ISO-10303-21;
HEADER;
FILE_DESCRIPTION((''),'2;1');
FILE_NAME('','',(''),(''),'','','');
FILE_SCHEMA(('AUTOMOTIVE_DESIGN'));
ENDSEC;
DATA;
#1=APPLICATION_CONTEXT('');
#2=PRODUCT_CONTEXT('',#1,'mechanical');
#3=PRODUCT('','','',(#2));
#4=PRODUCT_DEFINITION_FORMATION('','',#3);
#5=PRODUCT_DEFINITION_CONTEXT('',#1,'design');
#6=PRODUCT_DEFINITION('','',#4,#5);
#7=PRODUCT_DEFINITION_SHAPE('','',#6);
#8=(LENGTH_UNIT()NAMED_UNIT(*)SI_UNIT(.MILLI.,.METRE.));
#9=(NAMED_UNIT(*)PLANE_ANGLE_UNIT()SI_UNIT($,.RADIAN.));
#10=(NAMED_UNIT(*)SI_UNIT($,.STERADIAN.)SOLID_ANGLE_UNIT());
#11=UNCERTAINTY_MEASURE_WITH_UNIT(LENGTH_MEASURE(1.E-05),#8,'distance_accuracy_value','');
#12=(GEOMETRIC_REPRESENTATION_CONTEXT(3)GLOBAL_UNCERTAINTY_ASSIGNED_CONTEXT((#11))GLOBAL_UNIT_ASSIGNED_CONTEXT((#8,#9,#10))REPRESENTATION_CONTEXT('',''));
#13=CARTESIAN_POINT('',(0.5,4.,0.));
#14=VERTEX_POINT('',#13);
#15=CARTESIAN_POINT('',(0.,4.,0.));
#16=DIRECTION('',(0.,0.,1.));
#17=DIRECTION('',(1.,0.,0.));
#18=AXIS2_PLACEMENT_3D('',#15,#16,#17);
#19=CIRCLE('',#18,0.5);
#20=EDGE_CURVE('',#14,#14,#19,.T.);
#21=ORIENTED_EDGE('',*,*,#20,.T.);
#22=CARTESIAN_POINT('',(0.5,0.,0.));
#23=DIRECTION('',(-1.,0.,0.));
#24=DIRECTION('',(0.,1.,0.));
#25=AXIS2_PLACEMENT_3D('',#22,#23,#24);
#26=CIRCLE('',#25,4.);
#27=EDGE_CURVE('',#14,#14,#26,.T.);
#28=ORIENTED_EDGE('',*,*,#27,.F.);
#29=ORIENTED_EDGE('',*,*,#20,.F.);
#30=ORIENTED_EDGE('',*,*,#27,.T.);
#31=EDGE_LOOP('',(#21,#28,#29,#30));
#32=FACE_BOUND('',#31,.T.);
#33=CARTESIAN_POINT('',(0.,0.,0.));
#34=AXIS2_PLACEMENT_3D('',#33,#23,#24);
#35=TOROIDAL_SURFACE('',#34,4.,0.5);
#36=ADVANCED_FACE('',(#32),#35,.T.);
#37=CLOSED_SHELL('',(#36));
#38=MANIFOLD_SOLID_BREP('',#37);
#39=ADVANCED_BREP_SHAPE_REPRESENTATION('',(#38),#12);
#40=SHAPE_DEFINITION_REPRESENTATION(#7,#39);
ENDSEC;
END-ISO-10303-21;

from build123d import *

# Parameters (mm, degrees)
SKETCH1_R = 0.5


with BuildPart() as part:
    # Sketch1 → Revolve1 (revolve)
    with BuildSketch(Plane.XY):
        with Locations((0, 4)):
            Circle(SKETCH1_R)
    revolve(axis=Axis((0, 0, 0), (-1, 0, 0)))


solid = part.part
